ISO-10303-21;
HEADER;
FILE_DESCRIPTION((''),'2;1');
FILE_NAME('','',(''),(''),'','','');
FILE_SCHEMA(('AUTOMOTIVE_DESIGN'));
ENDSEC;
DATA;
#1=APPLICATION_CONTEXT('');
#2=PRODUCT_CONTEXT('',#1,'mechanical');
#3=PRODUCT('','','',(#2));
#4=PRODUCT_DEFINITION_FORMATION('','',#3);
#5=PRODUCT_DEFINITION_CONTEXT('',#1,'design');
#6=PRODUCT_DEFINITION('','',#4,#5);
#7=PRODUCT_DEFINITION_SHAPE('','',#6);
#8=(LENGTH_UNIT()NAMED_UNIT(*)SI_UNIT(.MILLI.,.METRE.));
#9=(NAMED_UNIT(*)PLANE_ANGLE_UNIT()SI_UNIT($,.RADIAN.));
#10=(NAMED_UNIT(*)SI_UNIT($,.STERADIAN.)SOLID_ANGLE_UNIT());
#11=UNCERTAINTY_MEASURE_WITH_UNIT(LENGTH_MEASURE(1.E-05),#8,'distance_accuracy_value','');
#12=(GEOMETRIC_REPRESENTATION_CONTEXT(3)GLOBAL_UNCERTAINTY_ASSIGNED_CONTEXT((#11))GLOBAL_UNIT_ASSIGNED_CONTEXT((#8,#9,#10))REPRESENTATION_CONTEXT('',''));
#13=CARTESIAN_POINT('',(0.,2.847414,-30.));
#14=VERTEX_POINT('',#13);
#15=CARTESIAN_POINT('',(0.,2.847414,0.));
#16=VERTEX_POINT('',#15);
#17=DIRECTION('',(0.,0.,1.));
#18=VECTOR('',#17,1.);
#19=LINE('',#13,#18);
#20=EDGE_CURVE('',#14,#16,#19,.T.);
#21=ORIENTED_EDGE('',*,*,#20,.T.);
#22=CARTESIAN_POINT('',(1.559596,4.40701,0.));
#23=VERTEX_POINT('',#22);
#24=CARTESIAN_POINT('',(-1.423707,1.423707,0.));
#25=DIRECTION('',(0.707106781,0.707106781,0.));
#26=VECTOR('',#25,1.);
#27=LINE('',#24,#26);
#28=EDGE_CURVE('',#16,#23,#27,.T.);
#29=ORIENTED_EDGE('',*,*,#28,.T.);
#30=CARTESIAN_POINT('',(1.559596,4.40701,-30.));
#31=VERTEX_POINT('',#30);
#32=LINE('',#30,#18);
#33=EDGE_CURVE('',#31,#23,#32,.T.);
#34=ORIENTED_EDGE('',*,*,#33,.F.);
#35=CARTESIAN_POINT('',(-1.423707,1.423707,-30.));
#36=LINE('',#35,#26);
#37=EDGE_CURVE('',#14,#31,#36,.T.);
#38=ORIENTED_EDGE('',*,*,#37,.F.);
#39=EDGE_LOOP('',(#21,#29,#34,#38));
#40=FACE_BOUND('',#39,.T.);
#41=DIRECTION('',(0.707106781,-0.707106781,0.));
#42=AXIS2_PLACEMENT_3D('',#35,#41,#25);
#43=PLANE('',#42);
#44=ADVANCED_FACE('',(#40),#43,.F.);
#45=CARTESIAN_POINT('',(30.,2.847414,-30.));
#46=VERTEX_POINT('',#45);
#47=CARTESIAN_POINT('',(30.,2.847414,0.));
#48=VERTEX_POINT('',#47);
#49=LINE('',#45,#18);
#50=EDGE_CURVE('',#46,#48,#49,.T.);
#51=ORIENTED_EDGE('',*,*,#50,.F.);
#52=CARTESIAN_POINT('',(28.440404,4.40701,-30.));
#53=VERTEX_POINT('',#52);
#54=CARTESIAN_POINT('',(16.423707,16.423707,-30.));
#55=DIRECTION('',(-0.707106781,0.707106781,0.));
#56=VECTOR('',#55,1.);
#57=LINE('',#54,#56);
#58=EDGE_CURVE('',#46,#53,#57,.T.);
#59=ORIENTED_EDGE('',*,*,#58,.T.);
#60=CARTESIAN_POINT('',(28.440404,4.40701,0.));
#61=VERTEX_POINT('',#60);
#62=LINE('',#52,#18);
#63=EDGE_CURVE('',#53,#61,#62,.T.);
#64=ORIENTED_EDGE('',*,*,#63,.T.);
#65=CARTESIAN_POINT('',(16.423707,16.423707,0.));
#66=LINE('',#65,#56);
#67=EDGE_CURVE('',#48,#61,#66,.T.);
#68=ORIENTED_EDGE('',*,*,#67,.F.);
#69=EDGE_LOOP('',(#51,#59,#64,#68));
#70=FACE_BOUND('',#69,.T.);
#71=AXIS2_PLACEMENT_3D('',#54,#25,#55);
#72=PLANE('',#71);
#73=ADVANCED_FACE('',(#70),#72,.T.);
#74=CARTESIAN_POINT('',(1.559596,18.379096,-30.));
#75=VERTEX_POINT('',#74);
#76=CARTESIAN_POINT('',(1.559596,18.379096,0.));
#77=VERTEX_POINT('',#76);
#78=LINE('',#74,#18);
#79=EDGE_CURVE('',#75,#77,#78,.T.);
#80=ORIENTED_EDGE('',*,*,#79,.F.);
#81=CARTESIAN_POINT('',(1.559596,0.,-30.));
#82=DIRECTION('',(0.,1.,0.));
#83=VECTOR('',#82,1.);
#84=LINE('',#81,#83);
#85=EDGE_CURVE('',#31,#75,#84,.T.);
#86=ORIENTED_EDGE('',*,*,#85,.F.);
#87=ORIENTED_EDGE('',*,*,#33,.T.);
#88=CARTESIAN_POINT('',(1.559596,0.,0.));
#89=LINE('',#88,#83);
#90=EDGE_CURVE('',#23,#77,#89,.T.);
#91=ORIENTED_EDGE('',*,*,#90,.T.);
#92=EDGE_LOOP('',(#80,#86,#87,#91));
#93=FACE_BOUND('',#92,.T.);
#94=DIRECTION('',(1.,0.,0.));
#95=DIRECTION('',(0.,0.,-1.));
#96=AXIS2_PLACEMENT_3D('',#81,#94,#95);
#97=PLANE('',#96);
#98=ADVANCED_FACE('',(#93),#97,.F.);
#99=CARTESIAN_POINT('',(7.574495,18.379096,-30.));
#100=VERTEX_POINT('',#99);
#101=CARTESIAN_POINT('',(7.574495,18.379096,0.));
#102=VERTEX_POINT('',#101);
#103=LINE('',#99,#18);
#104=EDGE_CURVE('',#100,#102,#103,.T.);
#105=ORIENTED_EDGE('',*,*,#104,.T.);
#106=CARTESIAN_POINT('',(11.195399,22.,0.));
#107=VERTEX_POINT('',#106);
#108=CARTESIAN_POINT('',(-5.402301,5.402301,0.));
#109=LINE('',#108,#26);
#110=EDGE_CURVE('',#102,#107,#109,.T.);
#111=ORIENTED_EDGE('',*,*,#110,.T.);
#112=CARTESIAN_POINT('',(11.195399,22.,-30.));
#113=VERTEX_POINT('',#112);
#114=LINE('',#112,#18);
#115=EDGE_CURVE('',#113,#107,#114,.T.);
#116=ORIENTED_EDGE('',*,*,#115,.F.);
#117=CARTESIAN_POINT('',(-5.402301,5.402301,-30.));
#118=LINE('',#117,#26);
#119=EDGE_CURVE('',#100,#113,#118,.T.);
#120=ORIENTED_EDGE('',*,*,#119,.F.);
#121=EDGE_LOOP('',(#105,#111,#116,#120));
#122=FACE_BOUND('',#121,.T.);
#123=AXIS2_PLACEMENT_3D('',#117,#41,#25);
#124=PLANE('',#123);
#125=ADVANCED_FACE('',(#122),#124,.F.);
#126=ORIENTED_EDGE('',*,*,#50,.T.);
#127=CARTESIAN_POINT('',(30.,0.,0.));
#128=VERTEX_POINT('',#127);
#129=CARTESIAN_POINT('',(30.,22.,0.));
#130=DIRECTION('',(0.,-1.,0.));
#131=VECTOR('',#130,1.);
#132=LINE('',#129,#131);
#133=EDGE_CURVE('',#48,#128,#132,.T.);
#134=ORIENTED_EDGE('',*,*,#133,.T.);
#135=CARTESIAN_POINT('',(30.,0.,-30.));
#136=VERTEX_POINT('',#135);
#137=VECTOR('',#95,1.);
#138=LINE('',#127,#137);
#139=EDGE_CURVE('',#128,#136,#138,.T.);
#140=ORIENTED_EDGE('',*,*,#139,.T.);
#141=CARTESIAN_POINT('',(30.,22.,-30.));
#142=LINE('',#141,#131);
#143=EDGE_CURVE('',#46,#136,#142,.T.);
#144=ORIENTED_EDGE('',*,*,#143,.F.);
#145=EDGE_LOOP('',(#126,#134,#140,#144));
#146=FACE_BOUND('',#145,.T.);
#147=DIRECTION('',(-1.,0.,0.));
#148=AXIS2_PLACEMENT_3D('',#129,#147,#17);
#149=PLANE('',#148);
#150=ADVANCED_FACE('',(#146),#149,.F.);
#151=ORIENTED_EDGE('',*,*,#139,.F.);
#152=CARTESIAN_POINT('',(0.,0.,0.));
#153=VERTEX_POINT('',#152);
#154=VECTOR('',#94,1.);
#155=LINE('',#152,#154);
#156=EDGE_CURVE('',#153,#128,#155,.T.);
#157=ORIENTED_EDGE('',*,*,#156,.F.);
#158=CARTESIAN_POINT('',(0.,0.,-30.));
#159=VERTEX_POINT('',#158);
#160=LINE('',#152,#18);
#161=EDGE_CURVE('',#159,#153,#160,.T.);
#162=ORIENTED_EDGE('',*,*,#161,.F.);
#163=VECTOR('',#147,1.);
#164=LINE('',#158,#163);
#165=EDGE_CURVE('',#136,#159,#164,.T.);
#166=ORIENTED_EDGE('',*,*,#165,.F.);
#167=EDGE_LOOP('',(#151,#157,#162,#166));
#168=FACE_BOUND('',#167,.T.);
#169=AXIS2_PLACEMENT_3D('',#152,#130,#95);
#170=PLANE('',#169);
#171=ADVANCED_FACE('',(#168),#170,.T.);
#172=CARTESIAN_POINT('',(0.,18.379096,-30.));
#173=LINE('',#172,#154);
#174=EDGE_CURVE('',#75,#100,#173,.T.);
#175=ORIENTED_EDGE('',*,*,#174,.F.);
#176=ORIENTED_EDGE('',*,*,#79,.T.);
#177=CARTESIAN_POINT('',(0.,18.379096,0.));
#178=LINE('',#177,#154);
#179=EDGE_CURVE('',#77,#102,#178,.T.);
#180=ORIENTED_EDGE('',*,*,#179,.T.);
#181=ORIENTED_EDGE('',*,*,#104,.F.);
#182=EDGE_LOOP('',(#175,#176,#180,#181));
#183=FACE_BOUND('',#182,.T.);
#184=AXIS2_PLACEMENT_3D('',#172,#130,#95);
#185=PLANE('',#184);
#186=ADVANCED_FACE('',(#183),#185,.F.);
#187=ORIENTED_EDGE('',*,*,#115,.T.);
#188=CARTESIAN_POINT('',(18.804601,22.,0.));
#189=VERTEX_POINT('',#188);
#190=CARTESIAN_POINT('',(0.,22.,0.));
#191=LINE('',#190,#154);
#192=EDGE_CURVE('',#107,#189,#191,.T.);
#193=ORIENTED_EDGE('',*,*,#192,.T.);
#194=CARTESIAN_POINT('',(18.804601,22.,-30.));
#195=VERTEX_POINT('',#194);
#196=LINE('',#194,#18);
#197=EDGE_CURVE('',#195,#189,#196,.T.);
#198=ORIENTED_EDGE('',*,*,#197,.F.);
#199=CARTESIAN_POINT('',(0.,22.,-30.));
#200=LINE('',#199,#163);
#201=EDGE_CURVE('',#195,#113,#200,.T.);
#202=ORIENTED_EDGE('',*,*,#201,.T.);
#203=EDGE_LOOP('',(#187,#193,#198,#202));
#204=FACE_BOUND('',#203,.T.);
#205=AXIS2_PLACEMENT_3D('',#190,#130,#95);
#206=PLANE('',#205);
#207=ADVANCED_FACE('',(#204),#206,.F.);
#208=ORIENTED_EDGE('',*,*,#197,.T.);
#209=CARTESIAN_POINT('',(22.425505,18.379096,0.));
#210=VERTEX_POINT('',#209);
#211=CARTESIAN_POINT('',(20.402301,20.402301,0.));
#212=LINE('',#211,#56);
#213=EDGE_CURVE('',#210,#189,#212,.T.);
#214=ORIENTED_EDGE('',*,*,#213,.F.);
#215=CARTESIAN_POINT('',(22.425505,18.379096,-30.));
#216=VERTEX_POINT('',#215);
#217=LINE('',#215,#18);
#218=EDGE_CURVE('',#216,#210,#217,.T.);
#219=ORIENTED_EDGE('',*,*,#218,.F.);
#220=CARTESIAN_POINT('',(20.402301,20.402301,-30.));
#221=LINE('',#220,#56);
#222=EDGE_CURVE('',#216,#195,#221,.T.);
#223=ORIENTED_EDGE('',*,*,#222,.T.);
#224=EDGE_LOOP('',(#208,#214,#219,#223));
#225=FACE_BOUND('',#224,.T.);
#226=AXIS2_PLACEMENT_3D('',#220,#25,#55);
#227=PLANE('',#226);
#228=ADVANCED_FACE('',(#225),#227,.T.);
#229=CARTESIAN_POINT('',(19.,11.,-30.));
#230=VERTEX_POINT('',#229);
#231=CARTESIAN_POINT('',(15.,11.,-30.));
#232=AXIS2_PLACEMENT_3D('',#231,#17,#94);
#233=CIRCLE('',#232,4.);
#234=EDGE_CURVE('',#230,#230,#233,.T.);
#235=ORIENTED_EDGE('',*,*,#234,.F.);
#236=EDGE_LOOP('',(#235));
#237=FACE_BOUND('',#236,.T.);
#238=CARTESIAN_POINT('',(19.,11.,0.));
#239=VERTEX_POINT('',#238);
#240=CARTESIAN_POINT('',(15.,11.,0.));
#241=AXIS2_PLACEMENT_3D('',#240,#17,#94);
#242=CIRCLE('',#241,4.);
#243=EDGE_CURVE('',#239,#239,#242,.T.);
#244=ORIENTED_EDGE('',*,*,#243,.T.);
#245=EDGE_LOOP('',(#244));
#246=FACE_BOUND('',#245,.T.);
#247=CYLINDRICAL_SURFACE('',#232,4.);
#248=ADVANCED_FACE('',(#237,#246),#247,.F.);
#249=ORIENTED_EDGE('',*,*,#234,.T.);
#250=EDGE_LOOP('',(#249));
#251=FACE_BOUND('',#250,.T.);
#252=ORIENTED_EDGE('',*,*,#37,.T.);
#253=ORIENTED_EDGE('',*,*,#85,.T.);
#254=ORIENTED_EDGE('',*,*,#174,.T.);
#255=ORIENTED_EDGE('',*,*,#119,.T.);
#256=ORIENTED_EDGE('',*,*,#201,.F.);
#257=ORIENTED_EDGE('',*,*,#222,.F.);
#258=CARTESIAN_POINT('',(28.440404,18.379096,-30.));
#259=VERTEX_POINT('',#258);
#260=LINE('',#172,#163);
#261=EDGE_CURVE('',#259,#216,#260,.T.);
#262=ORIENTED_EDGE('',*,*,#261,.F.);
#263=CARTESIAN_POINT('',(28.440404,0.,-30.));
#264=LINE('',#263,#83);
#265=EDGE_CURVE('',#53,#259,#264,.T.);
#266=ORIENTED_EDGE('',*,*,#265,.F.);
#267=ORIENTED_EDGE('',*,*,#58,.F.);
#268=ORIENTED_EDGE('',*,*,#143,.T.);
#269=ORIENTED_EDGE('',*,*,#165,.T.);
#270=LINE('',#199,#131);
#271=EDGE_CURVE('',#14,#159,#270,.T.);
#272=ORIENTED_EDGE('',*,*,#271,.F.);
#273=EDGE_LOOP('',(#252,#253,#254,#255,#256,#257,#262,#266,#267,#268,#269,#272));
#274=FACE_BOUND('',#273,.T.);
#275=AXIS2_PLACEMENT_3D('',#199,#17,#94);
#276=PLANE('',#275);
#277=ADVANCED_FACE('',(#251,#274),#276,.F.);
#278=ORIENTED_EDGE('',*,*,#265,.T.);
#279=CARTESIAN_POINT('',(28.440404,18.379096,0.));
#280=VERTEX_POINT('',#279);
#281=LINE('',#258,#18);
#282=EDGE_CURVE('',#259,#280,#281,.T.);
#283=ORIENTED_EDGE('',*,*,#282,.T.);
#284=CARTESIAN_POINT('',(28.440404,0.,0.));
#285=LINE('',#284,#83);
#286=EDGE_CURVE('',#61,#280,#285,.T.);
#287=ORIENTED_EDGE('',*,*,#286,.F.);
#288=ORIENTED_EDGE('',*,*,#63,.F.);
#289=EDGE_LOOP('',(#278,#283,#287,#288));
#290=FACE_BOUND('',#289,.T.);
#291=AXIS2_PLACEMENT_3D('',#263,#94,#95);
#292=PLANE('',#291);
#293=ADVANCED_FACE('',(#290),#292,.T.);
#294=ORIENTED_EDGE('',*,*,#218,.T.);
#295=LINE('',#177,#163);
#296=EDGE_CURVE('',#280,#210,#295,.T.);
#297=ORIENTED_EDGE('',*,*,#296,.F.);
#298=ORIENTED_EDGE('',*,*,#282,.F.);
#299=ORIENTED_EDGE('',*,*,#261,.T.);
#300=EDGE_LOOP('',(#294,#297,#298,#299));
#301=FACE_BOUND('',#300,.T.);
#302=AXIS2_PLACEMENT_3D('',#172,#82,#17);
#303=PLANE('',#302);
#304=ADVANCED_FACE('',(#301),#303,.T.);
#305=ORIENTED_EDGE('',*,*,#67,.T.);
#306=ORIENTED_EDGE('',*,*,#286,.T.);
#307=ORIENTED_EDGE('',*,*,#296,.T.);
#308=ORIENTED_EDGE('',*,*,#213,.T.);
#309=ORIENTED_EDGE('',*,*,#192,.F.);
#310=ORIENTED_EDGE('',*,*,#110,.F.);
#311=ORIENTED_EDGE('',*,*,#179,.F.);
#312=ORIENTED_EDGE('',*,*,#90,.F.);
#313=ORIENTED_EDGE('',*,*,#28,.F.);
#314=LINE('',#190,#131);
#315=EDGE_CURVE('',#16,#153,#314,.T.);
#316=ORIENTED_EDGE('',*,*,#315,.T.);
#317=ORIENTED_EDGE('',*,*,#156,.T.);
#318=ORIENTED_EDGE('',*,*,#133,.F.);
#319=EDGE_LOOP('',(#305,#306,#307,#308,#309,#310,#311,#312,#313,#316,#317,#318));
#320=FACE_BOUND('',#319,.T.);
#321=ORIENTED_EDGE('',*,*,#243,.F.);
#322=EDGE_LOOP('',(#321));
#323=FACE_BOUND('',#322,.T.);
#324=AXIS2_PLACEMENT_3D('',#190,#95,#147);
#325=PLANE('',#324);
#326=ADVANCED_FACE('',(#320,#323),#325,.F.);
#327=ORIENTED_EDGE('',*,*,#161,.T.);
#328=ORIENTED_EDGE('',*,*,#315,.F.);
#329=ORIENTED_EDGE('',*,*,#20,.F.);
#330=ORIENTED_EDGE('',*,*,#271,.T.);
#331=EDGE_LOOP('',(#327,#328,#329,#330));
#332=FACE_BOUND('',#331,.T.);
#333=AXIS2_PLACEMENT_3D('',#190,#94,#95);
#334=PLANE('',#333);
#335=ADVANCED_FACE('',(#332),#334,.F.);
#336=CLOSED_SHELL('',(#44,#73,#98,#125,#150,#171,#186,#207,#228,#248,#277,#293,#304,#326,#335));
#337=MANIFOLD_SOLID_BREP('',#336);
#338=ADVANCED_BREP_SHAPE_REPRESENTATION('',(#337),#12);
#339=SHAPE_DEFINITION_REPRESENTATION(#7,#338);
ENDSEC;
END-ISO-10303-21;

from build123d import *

# Parameters (mm, degrees)
SKETCH1_W           = 30
SKETCH1_H           = 30
BOSS_EXTRUDE1_DEPTH = 22
CUT_EXTRUDE1_DEPTH  = 48.791212581


with BuildPart() as part:
    # Sketch1 → Boss-Extrude1 (new body)
    with BuildSketch(Plane(origin=(0, 0, 0), x_dir=(1, 0, 0), z_dir=(0, 1, 0))):
        with Locations((15, 15)):
            Rectangle(SKETCH1_W, SKETCH1_H)
    extrude(amount=BOSS_EXTRUDE1_DEPTH)

    # Sketch2 → Cut-Extrude1 (cut, through all)
    with BuildSketch(Plane.XY):
        Polygon((7.574494777, 18.379095815), (11.195398962, 22), (0, 22), (0, 2.847414058), (1.559595822, 4.407009879), (1.559595822, 18.379095815), align=None)
        Polygon((30, 22), (18.804601038, 22), (22.425505223, 18.379095815), (28.440404178, 18.379095815), (28.440404178, 4.407009879), (30, 2.847414058), align=None)
        with BuildLine():
            ThreePointArc((19, 11), (17.828427125, 13.828427125), (15, 15))
            Line((15, 15), (15, 7))
            ThreePointArc((15, 7), (17.828427125, 8.171572875), (19, 11))
        make_face()
        with BuildLine():
            Line((15, 7), (15, 15))
            ThreePointArc((15, 15), (11, 11), (15, 7))
        make_face()
    extrude(amount=-CUT_EXTRUDE1_DEPTH, mode=Mode.SUBTRACT)


solid = part.part
